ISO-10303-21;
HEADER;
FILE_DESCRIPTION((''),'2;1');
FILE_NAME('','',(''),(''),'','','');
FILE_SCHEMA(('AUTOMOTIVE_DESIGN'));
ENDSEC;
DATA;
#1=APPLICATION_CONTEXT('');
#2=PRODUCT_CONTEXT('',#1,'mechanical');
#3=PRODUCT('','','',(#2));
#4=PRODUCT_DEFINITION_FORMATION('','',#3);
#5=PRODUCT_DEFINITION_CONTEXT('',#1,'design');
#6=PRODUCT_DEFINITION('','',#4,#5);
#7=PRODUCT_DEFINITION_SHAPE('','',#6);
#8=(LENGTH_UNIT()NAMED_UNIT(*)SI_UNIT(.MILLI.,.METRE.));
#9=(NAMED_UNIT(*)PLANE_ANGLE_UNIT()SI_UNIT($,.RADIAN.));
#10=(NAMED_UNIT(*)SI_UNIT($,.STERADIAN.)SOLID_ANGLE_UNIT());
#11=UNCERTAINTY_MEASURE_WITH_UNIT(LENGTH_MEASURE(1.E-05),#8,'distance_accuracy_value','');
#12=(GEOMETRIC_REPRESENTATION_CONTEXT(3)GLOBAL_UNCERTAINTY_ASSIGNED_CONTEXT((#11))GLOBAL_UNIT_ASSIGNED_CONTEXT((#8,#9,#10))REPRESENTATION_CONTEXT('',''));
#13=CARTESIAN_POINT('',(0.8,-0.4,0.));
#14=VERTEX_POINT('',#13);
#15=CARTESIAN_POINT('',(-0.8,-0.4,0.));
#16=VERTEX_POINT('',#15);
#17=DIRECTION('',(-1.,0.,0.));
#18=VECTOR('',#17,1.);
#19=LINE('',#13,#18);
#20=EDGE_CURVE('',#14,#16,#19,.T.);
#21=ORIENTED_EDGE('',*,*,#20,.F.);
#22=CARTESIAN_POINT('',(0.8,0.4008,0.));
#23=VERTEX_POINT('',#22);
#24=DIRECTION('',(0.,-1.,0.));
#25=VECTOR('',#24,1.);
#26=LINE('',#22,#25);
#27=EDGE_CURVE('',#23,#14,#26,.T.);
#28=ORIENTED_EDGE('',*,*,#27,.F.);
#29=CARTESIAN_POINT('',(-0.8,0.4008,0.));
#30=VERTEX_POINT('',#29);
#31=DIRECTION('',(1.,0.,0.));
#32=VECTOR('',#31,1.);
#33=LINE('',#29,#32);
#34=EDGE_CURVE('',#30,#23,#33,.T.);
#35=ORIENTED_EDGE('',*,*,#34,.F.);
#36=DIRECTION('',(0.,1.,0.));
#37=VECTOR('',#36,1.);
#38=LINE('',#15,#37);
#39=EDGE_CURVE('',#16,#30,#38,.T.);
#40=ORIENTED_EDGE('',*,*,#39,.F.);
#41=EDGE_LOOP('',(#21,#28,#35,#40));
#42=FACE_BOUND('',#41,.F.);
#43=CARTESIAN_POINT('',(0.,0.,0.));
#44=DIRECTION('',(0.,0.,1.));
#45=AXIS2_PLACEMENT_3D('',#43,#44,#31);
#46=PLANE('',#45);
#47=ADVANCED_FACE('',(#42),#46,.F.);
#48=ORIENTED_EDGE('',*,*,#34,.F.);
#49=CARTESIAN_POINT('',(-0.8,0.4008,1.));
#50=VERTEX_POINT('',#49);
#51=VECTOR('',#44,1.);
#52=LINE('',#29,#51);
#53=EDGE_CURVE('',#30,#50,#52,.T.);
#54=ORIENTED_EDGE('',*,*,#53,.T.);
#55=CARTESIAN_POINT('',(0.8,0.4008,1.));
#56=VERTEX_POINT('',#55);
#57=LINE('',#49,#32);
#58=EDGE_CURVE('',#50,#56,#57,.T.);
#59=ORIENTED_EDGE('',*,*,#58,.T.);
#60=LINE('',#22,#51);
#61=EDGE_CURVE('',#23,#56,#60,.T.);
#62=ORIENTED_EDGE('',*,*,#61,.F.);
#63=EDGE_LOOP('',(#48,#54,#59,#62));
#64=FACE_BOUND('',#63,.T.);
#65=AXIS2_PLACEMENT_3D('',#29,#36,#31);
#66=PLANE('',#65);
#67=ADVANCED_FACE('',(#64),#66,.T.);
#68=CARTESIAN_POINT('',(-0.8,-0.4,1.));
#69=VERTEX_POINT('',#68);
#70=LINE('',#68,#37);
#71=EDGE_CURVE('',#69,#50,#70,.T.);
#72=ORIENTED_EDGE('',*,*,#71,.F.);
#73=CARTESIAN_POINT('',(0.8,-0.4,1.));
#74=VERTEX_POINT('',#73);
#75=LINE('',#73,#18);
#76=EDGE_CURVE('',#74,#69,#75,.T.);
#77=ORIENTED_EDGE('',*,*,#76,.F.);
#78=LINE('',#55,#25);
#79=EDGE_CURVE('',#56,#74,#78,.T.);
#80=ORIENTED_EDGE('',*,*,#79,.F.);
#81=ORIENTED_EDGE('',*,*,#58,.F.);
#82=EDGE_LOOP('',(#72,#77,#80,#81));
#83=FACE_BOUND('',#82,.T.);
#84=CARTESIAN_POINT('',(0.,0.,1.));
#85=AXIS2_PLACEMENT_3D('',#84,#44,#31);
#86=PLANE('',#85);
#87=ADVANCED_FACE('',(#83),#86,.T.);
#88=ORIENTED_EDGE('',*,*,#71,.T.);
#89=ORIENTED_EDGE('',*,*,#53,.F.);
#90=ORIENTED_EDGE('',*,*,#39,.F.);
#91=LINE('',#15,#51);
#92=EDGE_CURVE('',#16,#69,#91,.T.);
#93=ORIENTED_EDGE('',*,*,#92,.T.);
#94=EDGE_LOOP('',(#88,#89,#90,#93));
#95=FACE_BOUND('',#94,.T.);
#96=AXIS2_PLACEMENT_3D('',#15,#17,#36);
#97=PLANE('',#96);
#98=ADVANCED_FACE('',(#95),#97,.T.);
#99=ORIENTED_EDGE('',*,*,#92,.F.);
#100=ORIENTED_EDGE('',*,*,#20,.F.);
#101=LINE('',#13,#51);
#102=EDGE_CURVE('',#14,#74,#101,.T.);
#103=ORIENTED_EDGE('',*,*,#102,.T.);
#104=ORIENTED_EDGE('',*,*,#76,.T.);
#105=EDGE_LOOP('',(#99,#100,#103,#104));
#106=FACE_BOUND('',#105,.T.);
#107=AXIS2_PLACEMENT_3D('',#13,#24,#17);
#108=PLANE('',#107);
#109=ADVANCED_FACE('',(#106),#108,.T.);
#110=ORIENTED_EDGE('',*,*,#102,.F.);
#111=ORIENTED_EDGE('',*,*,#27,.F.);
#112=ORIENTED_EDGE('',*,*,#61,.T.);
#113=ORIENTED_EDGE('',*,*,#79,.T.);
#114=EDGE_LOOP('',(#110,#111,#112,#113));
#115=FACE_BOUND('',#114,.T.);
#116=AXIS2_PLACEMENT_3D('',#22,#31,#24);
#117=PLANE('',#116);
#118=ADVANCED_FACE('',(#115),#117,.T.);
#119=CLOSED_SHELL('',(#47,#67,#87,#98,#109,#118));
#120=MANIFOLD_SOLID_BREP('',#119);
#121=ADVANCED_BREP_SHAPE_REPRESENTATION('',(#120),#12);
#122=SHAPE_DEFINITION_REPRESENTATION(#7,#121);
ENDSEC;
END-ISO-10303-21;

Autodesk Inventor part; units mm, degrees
ref_plane "YZ Plane" through (0, 0, 0) normal (1, 0, 0) x (0, 1, 0)
ref_plane "XZ Plane" through (0, 0, 0) normal (0, 1, 0) x (-1, 0, 0)
ref_plane "XY Plane" through (0, 0, 0) normal (0, 0, 1) x (1, 0, 0)
sketch "C0603K, 0_01UF_17" plane through (0, 0, 0) normal (0, 0, 1) x (1, 0, 0)
  line L0 (-0.8, 0.4008) -> (0.8, 0.4008)
  line L1 (0.8, 0.4008) -> (0.8, -0.4)
  line L2 (0.8, -0.4) -> (-0.8, -0.4)
  line L3 (-0.8, -0.4) -> (-0.8, 0.4008)
extrude "Extrusion1" add sketch "C0603K, 0_01UF_17" along normal blind 1
properties part number "0_01UF"
